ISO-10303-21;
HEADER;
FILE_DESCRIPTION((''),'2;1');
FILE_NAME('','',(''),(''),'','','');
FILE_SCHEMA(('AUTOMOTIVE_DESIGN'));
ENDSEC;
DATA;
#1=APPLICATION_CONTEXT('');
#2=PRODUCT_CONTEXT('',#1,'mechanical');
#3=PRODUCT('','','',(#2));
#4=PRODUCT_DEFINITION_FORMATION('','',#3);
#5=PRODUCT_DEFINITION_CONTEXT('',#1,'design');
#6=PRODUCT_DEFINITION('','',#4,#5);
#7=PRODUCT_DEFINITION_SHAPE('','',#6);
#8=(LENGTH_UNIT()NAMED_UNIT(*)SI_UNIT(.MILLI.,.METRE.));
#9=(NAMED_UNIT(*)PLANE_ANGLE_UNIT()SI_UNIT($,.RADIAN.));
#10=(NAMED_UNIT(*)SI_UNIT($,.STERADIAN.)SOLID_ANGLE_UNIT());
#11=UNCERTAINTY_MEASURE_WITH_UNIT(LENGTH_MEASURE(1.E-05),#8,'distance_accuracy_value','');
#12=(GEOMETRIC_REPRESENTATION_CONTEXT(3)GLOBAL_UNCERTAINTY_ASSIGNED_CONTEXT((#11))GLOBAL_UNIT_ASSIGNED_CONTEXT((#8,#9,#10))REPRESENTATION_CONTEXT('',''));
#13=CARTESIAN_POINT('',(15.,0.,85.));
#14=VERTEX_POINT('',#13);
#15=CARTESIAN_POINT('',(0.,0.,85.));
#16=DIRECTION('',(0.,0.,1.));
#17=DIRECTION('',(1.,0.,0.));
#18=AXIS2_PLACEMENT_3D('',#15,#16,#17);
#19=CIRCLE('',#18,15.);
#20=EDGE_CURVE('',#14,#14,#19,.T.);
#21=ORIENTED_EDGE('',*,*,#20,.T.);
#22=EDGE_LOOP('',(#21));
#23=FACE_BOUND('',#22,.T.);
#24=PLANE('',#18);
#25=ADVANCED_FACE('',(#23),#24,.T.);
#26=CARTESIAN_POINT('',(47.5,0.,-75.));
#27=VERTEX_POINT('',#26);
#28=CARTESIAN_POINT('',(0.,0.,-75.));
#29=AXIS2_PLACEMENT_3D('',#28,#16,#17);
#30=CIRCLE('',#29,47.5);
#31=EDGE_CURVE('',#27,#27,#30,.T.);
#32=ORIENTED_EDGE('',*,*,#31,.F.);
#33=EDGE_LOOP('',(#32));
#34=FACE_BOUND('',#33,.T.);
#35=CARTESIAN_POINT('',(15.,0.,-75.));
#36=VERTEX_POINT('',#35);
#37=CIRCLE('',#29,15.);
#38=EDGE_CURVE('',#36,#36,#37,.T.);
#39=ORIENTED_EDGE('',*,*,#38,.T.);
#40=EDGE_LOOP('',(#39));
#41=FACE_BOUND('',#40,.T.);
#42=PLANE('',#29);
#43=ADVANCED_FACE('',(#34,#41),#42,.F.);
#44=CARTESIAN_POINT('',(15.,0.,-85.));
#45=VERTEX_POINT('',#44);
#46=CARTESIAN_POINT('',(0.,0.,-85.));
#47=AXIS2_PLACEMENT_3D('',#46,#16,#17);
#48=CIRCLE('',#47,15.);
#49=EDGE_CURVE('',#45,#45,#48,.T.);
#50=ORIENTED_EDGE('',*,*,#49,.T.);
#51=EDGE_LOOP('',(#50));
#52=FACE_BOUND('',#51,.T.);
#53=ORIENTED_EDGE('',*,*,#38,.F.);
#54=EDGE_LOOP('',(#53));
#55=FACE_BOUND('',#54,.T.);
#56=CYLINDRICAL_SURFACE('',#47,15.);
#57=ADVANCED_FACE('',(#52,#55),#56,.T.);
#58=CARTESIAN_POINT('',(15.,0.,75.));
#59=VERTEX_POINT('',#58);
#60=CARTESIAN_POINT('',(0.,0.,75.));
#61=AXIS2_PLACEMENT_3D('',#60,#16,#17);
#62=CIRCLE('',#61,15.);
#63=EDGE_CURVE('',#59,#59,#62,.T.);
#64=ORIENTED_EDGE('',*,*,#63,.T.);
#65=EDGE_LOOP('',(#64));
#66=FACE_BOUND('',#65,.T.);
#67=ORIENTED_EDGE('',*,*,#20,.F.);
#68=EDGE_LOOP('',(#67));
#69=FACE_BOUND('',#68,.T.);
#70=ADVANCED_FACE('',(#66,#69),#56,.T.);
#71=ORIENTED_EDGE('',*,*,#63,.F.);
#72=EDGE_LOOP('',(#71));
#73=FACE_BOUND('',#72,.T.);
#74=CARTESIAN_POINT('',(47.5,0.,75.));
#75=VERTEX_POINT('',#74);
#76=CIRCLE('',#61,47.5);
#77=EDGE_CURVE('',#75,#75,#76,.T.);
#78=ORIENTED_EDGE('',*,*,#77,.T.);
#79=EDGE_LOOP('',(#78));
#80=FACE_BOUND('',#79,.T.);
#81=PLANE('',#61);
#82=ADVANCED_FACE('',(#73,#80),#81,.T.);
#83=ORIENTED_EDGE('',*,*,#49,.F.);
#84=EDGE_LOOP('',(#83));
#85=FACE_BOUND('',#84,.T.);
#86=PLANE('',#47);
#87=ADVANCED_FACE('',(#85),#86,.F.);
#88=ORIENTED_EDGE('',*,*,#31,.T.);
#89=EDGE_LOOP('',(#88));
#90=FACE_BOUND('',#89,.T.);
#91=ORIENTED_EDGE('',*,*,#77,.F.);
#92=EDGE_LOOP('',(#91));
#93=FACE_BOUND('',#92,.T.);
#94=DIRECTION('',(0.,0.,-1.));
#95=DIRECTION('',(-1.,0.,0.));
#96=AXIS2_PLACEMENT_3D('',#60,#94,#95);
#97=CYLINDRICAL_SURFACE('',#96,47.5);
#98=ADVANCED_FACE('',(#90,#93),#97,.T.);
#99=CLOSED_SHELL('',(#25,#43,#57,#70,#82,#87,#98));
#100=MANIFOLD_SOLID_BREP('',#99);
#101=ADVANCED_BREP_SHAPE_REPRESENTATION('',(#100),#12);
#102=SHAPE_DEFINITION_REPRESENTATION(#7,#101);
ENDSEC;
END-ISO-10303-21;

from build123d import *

# Parameters (mm, degrees)
SKETCH1_R                = 47.5
BOSS_EXTRUDE1_DEPTH      = 75
BOSS_EXTRUDE2_DEPTH      = 10
BOSS_EXTRUDE2_DEPTH_BACK = 160
SKETCH2_R                = 15


with BuildPart() as part:
    # Sketch1 → Boss-Extrude1 (new, symmetric)
    with BuildSketch(Plane.XY):
        Circle(SKETCH1_R)
    extrude(amount=BOSS_EXTRUDE1_DEPTH, both=True)

    # Sketch2 → Boss-Extrude2 (add, two sides: drawn at the far end of the back side and taken through both)
    with BuildSketch(Plane.XY.offset(75).offset(-BOSS_EXTRUDE2_DEPTH_BACK)):
        Circle(SKETCH2_R)
    extrude(amount=BOSS_EXTRUDE2_DEPTH + BOSS_EXTRUDE2_DEPTH_BACK)


solid = part.part
